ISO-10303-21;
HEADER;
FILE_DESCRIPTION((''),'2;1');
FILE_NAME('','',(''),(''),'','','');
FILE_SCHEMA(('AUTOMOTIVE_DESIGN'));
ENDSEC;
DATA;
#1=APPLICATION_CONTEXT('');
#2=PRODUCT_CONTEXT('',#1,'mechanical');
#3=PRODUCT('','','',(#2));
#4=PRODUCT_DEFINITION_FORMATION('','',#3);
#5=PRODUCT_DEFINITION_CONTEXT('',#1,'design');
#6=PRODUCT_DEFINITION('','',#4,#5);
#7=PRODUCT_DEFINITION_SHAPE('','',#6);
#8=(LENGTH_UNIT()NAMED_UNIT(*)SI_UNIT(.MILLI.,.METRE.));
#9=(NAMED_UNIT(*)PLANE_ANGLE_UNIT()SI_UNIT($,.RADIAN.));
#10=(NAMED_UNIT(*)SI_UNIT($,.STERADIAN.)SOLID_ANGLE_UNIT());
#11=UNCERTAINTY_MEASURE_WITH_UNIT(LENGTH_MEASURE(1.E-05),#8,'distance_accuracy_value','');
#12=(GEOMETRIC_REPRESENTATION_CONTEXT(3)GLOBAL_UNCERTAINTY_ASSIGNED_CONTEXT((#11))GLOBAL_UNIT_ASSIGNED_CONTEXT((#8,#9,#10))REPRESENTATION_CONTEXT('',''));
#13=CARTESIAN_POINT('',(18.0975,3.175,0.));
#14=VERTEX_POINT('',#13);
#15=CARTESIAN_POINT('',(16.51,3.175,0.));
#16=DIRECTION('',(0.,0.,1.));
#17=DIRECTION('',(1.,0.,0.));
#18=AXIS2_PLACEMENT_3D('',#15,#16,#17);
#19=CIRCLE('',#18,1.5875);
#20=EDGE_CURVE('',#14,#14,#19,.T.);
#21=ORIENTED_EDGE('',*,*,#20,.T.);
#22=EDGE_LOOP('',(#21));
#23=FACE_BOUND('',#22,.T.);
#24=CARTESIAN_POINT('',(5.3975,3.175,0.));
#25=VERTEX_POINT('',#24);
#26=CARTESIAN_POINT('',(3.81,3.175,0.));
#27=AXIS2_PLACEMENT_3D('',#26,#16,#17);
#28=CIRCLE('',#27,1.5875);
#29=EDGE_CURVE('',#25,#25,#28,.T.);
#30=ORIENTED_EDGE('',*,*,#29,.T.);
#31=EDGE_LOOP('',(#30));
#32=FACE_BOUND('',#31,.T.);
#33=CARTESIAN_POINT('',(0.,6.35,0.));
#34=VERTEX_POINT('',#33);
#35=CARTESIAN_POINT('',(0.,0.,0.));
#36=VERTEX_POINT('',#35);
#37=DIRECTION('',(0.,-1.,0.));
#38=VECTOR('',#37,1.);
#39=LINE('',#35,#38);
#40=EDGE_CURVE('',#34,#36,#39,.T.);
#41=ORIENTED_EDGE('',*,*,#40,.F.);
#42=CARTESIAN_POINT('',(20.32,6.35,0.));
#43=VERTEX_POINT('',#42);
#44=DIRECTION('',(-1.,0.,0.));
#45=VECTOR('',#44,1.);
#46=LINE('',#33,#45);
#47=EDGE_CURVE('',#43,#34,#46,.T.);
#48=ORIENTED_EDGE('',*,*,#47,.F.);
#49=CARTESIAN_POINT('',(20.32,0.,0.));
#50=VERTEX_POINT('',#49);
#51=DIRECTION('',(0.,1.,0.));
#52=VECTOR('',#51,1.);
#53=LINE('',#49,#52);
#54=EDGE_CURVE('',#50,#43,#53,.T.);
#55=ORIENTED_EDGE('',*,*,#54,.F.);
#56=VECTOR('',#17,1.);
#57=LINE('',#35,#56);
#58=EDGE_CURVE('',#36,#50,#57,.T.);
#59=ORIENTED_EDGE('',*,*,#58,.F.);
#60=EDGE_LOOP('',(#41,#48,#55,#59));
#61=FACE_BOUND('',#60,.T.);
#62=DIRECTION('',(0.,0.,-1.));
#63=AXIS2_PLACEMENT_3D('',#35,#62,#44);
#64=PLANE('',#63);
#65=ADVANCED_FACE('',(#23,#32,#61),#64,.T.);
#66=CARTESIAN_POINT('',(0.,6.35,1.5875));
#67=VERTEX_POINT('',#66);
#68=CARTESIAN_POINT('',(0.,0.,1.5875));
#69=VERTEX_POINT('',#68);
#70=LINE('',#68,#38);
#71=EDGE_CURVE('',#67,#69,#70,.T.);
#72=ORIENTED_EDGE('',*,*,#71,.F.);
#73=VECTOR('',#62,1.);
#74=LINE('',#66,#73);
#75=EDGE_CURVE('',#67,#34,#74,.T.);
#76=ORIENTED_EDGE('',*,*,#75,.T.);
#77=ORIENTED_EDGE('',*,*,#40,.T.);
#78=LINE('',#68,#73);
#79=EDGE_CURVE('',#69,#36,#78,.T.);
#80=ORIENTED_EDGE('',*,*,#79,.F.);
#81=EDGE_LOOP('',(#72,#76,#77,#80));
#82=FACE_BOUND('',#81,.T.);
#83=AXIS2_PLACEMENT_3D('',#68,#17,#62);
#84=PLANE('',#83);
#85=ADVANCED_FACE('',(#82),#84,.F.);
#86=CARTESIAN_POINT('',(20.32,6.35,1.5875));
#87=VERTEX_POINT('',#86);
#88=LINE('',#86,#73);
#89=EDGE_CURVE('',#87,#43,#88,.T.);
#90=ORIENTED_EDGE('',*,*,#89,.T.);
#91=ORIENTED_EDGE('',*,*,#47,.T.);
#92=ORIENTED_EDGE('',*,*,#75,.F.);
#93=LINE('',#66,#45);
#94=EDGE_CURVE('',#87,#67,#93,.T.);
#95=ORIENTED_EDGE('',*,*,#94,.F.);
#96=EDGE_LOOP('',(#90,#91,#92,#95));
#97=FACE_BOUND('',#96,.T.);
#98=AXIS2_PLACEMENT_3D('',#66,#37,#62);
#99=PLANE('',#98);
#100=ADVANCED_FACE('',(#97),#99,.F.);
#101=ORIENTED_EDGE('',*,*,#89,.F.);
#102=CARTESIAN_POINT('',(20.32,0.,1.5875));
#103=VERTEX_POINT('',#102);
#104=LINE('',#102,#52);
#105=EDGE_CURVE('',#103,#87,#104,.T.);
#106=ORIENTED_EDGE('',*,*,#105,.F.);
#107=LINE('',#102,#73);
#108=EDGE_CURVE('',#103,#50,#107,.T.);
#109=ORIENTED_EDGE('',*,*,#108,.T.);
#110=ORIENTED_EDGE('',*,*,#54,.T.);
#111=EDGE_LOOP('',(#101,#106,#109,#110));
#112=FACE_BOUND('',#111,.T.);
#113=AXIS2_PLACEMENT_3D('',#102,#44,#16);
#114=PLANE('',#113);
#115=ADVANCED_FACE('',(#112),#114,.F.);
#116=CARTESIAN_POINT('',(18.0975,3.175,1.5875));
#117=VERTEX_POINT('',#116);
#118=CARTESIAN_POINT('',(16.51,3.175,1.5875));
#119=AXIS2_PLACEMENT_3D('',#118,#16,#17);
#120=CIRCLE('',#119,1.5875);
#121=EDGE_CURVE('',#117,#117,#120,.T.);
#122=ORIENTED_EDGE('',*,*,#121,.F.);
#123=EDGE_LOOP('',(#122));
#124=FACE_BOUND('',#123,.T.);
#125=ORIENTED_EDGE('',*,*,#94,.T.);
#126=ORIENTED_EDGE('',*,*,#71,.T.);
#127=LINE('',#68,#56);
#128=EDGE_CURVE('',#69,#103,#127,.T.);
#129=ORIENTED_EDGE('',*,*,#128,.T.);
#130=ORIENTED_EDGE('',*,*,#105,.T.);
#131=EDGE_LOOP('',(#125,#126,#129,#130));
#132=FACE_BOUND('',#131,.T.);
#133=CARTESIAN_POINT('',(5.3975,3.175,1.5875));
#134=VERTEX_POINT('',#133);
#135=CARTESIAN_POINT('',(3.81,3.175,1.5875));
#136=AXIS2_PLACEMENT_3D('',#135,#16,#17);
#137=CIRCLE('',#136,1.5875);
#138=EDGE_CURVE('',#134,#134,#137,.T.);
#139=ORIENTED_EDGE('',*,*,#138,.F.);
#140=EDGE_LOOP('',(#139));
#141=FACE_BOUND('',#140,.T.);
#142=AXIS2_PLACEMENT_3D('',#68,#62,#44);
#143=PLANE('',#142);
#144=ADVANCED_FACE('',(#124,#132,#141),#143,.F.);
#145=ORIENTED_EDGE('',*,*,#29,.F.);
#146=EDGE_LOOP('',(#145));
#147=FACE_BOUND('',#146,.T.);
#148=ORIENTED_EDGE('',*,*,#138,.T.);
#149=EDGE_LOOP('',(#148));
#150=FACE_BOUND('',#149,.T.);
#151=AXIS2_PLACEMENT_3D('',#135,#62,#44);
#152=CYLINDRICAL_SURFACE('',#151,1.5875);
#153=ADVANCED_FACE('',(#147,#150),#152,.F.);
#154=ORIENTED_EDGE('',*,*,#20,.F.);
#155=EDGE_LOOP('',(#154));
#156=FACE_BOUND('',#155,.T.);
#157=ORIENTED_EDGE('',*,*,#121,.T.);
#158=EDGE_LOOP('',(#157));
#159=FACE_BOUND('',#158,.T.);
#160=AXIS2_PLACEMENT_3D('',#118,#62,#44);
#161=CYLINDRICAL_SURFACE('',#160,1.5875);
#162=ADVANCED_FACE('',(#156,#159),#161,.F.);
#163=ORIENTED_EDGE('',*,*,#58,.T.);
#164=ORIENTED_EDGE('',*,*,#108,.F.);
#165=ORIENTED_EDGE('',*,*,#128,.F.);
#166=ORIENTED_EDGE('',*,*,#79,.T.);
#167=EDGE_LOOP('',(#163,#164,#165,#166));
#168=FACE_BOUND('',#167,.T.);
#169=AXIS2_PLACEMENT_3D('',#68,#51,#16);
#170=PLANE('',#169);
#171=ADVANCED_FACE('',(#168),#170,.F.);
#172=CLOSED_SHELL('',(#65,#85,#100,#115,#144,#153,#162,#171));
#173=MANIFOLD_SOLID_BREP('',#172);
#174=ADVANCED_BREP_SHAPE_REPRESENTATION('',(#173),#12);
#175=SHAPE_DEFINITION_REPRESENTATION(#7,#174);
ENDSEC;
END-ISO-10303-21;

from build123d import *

# Parameters (mm, degrees)
SKETCH1_W           = 20.32
SKETCH1_H           = 6.35
SKETCH1_R           = 1.5875
BOSS_EXTRUDE1_DEPTH = 1.5875


with BuildPart() as part:
    # Sketch1 → Boss-Extrude1 (new body)
    with BuildSketch(Plane.XY):
        with Locations((10.16, 3.175)):
            Rectangle(SKETCH1_W, SKETCH1_H)
        with Locations((3.81, 3.175)):
            Circle(SKETCH1_R, mode=Mode.SUBTRACT)
        with Locations((16.51, 3.175)):
            Circle(SKETCH1_R, mode=Mode.SUBTRACT)
    extrude(amount=BOSS_EXTRUDE1_DEPTH)


solid = part.part
